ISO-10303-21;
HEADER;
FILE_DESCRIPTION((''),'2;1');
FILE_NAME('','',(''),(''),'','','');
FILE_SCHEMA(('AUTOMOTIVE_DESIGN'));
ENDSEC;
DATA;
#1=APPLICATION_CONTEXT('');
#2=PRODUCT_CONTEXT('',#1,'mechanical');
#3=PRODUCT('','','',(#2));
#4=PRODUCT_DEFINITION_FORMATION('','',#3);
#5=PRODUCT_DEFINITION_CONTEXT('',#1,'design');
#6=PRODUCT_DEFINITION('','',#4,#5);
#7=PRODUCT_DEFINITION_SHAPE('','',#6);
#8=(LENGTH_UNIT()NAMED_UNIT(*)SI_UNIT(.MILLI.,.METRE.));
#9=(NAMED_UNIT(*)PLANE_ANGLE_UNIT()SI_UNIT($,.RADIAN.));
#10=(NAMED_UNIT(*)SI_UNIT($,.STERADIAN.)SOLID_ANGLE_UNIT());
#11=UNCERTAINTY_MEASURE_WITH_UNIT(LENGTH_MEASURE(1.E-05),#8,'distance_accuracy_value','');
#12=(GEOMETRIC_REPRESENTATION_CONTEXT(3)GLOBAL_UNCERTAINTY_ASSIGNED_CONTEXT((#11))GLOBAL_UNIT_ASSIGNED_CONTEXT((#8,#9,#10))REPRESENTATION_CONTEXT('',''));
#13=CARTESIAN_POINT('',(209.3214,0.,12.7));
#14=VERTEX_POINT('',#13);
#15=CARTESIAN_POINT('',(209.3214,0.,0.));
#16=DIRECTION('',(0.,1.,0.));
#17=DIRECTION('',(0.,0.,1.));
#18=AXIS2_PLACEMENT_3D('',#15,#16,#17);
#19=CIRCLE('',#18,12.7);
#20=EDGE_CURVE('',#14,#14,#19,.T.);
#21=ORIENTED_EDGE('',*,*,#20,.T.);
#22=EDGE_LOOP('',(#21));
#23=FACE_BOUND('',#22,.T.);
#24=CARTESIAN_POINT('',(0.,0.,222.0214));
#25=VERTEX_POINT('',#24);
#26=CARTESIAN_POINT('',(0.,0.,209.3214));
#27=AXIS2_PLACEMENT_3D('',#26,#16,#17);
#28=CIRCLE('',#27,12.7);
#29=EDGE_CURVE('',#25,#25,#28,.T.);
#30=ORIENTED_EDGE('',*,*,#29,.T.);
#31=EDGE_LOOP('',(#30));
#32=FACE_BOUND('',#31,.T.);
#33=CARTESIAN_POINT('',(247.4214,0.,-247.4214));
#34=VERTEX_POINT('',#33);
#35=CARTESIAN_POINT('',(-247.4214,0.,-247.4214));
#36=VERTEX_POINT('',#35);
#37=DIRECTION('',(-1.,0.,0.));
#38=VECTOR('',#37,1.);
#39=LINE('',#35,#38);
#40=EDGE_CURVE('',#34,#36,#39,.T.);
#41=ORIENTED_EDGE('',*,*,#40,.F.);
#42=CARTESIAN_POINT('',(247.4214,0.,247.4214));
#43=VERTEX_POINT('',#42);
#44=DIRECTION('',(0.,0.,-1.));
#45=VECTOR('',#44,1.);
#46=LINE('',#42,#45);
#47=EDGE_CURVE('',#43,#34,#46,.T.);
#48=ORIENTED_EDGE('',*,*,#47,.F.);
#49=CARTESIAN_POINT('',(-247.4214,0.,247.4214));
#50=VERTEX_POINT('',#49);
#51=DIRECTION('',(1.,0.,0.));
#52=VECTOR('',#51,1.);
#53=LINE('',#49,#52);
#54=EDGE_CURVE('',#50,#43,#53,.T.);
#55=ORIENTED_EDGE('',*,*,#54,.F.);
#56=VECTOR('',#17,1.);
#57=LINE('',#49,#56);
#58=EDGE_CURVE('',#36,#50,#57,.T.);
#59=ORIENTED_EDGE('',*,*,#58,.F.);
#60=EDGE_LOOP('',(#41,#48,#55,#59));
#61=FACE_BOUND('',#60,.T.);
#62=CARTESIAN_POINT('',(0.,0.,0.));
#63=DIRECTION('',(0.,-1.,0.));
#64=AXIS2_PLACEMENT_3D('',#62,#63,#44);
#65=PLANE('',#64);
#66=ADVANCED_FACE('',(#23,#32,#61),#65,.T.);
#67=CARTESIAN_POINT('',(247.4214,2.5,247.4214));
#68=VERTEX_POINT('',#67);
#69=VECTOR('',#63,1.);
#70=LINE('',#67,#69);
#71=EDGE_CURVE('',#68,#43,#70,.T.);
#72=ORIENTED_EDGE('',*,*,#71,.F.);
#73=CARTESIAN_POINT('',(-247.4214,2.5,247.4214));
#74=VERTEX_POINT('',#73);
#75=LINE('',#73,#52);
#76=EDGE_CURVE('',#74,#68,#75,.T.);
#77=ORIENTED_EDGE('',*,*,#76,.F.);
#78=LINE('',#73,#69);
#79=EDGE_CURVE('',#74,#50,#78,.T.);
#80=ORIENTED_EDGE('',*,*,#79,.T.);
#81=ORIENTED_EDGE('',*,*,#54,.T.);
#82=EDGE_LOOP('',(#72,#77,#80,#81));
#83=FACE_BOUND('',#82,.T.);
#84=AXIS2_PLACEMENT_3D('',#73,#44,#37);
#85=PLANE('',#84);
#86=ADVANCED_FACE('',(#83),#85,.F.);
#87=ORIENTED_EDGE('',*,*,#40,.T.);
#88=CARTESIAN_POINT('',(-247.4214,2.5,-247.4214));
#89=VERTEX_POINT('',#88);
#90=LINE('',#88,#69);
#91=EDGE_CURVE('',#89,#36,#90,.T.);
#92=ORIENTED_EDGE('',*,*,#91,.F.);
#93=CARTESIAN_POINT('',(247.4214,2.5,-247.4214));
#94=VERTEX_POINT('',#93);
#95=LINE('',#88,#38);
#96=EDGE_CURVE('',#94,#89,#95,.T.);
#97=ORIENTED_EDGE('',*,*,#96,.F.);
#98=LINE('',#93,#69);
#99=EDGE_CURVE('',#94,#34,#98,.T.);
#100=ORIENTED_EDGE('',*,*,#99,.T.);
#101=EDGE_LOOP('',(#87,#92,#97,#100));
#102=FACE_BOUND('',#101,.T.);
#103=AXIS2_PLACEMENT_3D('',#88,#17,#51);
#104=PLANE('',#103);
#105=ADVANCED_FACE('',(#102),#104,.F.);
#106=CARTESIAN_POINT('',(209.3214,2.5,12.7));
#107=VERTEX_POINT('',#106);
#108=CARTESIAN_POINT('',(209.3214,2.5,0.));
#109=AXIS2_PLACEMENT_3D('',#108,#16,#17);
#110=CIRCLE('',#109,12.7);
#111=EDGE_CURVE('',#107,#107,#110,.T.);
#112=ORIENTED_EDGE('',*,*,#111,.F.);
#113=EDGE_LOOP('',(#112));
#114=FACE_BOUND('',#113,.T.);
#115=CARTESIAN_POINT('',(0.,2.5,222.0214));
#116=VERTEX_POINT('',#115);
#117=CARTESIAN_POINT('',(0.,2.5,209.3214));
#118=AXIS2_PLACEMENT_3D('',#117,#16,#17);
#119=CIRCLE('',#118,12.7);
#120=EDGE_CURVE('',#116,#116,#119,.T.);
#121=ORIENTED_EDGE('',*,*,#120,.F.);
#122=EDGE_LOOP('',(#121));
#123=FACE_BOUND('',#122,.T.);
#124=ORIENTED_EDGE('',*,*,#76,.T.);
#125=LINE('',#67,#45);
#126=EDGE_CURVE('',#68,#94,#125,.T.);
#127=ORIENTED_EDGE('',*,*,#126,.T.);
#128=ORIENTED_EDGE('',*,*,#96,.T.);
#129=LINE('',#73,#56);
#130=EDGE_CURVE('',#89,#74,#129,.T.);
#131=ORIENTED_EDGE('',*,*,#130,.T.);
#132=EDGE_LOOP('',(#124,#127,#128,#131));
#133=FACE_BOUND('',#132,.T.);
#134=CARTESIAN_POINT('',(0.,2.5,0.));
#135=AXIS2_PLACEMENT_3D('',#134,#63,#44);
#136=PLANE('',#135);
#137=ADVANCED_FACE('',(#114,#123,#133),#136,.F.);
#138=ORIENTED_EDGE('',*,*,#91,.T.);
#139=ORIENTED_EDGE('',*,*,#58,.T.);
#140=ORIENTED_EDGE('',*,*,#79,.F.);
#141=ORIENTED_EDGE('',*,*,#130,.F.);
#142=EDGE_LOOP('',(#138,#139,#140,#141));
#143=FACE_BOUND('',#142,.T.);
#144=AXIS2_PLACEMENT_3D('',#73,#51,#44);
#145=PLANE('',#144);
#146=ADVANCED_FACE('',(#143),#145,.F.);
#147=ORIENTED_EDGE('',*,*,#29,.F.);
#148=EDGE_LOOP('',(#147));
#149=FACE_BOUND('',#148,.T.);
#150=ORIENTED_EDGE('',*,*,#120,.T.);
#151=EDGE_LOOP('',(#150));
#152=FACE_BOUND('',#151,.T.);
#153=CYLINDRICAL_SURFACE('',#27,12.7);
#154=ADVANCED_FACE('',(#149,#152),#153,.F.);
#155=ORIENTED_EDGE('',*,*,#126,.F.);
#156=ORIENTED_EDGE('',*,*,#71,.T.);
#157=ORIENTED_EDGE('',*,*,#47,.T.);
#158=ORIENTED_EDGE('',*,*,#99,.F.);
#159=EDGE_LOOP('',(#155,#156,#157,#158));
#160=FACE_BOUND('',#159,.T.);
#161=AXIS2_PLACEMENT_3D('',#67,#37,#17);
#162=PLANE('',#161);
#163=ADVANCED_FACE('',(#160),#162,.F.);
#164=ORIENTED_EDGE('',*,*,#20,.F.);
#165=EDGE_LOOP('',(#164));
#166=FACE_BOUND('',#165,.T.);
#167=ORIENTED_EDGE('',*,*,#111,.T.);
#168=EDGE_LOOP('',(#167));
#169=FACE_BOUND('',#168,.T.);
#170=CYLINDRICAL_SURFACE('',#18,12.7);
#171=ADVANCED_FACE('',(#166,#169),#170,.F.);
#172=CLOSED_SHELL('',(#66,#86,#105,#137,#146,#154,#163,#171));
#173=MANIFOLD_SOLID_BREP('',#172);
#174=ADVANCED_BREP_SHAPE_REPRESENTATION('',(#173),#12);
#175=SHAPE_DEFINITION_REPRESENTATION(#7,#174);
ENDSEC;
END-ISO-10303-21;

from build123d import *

# Parameters (mm, degrees)
SKETCH1_W           = 494.8428
SKETCH1_H           = 494.8428
BOSS_EXTRUDE1_DEPTH = 2.5
SKETCH2_R           = 12.7
CUT_EXTRUDE1_DEPTH  = 3.5


with BuildPart() as part:
    # Sketch1 → Boss-Extrude1 (new body)
    with BuildSketch(Plane(origin=(0, 0, 0), x_dir=(1, 0, 0), z_dir=(0, 1, 0))):
        Rectangle(SKETCH1_W, SKETCH1_H)
    extrude(amount=BOSS_EXTRUDE1_DEPTH)

    # Sketch2 → Cut-Extrude1 (cut, through all)
    with BuildSketch(Plane(origin=(0, 2.5, 0), x_dir=(1, 0, 0), z_dir=(0, 1, 0))):
        with Locations((209.3214, 0)):
            Circle(SKETCH2_R)
        with Locations((0, -209.3214)):
            Circle(SKETCH2_R)
    extrude(amount=-CUT_EXTRUDE1_DEPTH, mode=Mode.SUBTRACT)


solid = part.part
